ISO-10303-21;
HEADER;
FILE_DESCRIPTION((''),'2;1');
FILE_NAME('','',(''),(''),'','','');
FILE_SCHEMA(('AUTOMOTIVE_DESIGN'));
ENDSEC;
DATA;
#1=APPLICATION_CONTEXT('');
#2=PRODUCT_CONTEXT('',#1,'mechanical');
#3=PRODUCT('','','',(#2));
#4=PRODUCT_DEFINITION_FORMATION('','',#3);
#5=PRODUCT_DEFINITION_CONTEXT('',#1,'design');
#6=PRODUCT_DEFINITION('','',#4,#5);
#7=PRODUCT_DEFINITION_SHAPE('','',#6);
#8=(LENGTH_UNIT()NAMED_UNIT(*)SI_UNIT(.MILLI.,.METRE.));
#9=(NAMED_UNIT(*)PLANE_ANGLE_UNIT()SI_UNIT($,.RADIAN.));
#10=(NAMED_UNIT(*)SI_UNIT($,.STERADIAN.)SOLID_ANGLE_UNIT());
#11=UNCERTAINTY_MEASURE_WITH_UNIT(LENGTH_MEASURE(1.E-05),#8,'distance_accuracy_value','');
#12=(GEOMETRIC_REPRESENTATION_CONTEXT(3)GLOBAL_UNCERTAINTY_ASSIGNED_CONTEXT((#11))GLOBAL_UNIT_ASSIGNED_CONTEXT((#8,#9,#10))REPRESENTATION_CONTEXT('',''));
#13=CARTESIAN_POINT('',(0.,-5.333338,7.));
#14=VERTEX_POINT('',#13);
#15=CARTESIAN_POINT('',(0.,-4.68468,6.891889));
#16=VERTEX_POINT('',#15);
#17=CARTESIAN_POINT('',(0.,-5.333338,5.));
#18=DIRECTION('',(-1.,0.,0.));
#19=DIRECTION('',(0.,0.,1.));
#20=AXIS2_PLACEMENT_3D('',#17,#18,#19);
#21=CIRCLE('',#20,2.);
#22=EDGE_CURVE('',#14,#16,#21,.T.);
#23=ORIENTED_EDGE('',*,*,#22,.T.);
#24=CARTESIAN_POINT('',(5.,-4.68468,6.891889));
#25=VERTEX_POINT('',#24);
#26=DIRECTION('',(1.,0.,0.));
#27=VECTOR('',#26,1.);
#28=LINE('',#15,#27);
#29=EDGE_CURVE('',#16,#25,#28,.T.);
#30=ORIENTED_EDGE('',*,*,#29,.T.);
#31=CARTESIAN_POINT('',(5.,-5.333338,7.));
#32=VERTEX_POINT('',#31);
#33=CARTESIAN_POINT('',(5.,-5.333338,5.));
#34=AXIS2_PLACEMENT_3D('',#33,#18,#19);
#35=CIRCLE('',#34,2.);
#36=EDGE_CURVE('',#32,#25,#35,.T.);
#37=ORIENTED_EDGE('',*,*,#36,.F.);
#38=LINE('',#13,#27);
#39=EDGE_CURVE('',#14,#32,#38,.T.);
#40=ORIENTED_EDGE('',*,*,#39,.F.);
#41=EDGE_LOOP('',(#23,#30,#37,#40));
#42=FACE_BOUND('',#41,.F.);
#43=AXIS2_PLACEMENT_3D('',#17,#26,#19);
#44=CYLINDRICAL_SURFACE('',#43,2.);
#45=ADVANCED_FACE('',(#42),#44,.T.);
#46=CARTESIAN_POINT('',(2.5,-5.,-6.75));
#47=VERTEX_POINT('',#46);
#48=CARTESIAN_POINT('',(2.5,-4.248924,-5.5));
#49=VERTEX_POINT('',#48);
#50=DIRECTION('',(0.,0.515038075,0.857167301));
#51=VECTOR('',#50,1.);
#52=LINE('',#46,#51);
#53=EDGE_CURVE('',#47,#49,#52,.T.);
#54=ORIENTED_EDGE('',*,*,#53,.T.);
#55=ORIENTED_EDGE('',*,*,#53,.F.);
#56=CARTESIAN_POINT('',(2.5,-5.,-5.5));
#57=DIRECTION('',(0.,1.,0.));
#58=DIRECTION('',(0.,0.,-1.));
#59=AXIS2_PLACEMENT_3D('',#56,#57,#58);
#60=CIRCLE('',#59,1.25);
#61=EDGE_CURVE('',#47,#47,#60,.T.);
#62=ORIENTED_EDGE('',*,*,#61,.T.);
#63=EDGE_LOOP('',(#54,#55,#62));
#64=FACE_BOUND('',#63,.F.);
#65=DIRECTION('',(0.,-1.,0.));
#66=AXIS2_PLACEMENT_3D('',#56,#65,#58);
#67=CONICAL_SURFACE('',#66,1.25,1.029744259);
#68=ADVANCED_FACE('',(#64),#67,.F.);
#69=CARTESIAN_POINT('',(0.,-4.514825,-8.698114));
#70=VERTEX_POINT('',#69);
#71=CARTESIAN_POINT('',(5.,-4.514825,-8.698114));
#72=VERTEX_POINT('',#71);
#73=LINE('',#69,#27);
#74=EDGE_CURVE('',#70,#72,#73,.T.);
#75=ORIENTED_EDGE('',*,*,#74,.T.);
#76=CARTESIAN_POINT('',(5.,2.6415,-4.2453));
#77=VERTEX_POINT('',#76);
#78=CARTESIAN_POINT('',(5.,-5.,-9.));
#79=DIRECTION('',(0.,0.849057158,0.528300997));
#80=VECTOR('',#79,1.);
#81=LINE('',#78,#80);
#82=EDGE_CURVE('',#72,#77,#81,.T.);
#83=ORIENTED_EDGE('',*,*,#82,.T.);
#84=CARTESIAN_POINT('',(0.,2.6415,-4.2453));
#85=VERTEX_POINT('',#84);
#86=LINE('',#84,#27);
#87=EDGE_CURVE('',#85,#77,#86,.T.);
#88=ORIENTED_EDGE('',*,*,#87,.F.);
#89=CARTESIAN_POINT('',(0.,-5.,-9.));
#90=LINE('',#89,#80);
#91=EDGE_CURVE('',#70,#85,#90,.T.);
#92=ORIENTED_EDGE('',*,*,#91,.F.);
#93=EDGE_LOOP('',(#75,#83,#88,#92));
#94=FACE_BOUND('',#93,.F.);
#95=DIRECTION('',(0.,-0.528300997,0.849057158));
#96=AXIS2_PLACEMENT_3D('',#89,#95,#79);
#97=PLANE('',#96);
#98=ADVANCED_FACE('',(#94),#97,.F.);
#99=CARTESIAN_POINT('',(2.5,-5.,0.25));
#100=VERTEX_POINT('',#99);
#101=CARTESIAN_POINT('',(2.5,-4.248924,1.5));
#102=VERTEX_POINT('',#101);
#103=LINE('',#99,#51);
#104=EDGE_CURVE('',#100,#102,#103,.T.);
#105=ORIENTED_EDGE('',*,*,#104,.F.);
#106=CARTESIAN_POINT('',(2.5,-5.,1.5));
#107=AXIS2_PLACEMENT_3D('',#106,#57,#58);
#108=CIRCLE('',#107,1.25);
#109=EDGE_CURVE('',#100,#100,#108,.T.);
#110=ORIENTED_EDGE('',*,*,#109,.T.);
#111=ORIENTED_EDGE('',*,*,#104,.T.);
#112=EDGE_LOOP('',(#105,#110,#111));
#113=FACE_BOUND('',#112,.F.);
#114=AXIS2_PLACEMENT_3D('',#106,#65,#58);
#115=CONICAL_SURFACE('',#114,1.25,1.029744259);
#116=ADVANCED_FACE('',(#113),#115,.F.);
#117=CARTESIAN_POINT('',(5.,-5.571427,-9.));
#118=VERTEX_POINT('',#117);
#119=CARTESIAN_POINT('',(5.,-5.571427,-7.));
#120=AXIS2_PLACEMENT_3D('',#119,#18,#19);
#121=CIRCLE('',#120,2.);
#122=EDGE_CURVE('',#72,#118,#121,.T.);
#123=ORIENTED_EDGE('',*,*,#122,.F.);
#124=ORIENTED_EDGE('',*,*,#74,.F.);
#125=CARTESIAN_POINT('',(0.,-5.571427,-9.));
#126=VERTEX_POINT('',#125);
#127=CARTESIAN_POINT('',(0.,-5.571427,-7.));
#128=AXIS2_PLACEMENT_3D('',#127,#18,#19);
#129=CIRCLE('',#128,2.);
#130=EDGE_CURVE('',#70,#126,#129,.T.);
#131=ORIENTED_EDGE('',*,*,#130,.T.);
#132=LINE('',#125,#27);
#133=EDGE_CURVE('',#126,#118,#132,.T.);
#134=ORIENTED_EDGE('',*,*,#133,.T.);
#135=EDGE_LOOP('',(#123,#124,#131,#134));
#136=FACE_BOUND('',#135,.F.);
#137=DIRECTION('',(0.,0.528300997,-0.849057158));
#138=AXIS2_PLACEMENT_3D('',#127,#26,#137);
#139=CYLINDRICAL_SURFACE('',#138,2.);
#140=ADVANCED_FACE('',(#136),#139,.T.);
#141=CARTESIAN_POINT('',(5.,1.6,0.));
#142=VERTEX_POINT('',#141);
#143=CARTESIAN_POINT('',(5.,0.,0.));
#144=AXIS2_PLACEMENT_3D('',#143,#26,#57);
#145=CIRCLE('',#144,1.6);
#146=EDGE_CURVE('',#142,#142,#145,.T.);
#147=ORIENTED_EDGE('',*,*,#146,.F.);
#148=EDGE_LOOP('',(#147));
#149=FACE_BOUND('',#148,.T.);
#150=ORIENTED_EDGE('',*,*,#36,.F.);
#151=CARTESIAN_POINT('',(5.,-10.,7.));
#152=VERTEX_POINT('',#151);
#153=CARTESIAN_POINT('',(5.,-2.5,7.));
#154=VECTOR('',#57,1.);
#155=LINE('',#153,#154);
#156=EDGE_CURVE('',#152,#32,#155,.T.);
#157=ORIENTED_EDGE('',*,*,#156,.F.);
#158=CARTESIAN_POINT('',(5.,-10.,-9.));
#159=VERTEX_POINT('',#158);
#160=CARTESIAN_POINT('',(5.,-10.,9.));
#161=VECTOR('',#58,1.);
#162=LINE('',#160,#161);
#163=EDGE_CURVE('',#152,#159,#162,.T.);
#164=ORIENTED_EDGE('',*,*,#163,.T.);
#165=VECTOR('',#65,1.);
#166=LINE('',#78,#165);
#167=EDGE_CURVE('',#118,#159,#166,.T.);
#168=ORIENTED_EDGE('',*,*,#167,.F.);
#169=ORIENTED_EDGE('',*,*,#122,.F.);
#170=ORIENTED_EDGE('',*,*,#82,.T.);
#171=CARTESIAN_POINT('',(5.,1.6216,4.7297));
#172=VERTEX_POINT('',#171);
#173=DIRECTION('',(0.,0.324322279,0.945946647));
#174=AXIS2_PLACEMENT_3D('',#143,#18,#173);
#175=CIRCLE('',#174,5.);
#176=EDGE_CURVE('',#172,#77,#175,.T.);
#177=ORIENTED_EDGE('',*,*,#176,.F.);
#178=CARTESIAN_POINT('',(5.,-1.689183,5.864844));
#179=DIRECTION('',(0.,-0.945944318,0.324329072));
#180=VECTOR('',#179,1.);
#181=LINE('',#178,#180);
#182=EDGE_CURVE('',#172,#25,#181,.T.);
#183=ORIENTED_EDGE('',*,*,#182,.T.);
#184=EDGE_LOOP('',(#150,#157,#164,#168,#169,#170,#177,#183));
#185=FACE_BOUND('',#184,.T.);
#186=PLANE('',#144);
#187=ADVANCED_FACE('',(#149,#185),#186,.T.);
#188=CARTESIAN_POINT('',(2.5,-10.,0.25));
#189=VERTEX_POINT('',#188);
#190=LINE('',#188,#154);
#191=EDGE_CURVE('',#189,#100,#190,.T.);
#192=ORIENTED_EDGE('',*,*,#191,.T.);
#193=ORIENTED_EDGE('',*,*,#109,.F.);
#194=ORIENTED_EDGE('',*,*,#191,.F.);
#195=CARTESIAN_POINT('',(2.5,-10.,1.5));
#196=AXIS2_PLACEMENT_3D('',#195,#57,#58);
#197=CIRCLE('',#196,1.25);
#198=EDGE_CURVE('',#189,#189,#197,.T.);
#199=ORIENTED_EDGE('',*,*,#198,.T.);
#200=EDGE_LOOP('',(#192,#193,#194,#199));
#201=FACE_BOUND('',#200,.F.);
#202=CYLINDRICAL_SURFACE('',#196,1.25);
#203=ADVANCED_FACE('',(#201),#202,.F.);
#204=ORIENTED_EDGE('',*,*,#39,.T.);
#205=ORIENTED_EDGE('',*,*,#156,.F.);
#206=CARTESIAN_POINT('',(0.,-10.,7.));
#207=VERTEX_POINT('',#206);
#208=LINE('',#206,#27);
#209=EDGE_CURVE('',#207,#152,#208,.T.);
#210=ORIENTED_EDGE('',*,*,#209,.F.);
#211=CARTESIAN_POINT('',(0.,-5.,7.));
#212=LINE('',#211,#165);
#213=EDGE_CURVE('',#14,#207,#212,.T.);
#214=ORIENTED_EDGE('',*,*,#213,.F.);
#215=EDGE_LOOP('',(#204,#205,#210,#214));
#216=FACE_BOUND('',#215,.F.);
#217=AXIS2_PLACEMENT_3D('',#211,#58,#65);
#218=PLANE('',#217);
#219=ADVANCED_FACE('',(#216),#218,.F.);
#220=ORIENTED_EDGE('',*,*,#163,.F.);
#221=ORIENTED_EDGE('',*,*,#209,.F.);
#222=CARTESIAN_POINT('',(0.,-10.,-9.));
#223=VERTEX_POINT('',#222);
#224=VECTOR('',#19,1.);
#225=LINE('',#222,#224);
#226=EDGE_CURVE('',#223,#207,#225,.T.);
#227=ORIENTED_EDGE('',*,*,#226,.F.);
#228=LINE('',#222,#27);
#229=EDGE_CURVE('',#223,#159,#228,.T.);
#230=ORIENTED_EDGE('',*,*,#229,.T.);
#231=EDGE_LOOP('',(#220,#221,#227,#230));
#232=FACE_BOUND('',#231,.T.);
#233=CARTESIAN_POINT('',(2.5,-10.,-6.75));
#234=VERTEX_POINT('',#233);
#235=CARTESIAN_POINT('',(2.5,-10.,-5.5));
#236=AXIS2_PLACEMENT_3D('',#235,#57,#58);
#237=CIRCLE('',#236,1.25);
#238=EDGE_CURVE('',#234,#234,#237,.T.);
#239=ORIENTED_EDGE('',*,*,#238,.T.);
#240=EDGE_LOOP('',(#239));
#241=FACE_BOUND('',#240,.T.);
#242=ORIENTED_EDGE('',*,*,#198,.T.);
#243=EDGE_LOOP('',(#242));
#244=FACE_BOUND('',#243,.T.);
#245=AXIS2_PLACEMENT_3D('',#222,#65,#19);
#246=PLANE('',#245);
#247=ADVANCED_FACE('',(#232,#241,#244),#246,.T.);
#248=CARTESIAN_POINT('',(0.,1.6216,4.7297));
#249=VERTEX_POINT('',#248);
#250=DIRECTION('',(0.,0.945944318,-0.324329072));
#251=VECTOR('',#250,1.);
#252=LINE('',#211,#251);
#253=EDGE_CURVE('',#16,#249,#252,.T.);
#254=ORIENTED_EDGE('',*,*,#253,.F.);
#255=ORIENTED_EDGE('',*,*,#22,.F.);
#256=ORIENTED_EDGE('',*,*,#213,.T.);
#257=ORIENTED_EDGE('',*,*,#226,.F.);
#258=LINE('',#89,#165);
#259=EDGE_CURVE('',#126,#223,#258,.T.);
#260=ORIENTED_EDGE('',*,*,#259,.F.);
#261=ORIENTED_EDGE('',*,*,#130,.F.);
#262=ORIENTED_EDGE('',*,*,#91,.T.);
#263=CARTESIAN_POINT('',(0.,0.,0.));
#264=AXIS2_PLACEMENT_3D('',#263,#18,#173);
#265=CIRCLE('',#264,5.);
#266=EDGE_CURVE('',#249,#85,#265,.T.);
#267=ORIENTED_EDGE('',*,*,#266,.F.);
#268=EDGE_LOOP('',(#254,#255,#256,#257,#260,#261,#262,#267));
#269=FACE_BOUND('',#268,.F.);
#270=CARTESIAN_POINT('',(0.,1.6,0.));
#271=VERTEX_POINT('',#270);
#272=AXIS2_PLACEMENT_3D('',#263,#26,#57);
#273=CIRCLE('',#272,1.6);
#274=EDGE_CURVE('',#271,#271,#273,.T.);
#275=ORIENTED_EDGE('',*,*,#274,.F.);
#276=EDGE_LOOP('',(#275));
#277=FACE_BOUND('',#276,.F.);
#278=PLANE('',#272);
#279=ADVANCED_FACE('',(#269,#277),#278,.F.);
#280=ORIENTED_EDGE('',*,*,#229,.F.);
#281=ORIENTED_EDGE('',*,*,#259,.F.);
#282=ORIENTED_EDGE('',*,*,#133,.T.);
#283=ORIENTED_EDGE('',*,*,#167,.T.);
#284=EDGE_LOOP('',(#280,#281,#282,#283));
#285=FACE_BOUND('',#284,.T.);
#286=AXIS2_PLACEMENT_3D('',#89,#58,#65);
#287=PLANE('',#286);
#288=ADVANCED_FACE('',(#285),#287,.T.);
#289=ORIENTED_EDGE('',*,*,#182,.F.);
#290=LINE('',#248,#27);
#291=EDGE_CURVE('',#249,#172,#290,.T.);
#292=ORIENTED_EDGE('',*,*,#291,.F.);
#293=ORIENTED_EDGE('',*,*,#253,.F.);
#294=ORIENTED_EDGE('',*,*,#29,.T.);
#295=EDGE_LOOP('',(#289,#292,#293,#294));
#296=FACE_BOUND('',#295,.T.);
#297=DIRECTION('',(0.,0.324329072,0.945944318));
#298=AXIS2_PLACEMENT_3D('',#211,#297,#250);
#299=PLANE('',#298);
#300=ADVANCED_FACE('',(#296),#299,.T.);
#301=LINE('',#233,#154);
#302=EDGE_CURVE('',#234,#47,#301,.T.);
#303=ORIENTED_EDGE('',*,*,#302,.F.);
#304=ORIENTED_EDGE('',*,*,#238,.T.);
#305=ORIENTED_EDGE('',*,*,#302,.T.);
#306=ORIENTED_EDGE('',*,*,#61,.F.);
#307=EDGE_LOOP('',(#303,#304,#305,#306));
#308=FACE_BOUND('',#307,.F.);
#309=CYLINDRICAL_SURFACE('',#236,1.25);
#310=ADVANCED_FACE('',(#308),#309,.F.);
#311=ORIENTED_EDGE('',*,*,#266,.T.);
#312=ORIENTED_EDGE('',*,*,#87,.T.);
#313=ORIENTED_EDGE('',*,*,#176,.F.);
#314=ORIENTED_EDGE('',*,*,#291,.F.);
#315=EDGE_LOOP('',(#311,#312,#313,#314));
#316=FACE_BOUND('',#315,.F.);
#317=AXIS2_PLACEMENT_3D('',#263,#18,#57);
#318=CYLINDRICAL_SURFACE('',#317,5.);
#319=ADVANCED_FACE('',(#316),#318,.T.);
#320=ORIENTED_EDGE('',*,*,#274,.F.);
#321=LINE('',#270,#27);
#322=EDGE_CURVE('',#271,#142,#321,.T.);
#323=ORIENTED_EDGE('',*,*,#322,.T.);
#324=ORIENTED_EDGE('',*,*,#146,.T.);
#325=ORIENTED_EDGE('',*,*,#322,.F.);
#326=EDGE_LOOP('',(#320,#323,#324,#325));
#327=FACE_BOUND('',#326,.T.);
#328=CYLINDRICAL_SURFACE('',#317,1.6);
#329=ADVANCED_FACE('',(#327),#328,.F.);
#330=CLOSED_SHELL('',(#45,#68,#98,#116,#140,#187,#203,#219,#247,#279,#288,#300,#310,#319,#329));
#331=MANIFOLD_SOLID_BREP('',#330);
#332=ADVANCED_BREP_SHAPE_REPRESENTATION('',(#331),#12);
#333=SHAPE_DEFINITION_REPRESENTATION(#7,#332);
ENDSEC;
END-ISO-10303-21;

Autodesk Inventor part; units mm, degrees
ref_plane "YZ Plane" through (0, 0, 0) normal (1, 0, 0) x (0, 1, 0)
ref_plane "XZ Plane" through (0, 0, 0) normal (0, 1, 0) x (-1, 0, 0)
ref_plane "XY Plane" through (0, 0, 0) normal (0, 0, 1) x (1, 0, 0)
sketch "スケッチ1" plane through (0, 0, 0) normal (1, 0, 0) x (0, 1, 0)
  circle A0 centre (0, 0) radius 5
  line L0 (5, 24) -> (-10, 24)
  line L1 (-10, 24) -> (-10, 9)
  line L2 (-10, 9) -> (5, 9)
  line L3 (5, 9) -> (5, 24)
  line L4 (-10, 9) -> (-15, 9)
  line L5 (-15, 9) -> (-15, -9)
  line L6 (-15, -9) -> (-10, -9)
  line L7 (-10, -9) -> (-10, 9)
  line L8 (-10, 9) -> (1.724, 4.6934)
  line L9 (1.724, -4.6934) -> (-10, -9)
  circle A1 centre (0, 0) radius 1.6
  line L10 (-10, 9) -> (-5, 9)
  line L11 (-5, 9) -> (-5, -9)
  line L12 (-5, -9) -> (-10, -9)
  line L13 (-10, -9) -> (-10, 9)
  line L14 (-5, 9) -> (2.6415, 4.2453)
  line L15 (-5, -9) -> (2.6415, -4.2453)
  line L16 (-5, 7) -> (-10, 7)
  line L17 (-5, 7) -> (1.6216, 4.7297)
  dimension "d0" = 10
  dimension "d1" = 15
  dimension "d2" = 15
  dimension "d3" = 5
  dimension "d5" = 18
  dimension "d6" = 3.2
  dimension "d7" = 10
  dimension "d8" = 9
  dimension "d11" = 5
  dimension "d12" = 18
  dimension "d29" = 2
extrude "押し出し2" add sketch "スケッチ1" along normal blind 5 contours A0 | A0 L8 L11 L14 | L15 L11 L9 A0 | L11 L8 L2 | L9 L11 A0 | L12 L9 L11 | L17 L11 L8 | A0 L11 L17 | L8 L11 L16 L7 | L11 L9 L7 L16
fillet "フィレット1" radius 2 2 edges at (2.5, -5, -9) (2.5, -5, 9)
sketch "スケッチ2" plane through (0, -10, -9) normal (0, -1, 0) x (1, 0, 0)
  circle A0 centre (2.5, 3.5) radius 1.25
  line L0 (0, 0) -> (5, 0) projected
  line L1 (0, 18) -> (0, 0) projected
  circle A1 centre (2.5, 10.5) radius 1.25
  point P0 (0, 9)
  dimension "d16" = 2.5
  dimension "d17" = 3.5
  dimension "d18" = 2.5
  dimension "d19" = 2.5
  dimension "d20" = 2.5
  dimension "d21" = 7
hole "穴1" at (2.5, -10, 1.5) at (2.5, -10, -5.5) direction (0, 1, 0) diameter 2.5 depth 5 tip angle 118
extrude "押し出し3" cut sketch "スケッチ1" along normal blind 10 contours A0 L8 L11 L14 | L11 L8 L2 | L17 L11 L8 | L8 L11 L16 L7
fillet "フィレット2" radius 2 1 edges at (2.5, -5, 7)
equation "\"d12\" = d5"
equation "\"d18\" = d16"
equation "\"d20\" = d18"
properties part number "belt_liner_v5_Plate_10" material "アルミニウム 6061"
